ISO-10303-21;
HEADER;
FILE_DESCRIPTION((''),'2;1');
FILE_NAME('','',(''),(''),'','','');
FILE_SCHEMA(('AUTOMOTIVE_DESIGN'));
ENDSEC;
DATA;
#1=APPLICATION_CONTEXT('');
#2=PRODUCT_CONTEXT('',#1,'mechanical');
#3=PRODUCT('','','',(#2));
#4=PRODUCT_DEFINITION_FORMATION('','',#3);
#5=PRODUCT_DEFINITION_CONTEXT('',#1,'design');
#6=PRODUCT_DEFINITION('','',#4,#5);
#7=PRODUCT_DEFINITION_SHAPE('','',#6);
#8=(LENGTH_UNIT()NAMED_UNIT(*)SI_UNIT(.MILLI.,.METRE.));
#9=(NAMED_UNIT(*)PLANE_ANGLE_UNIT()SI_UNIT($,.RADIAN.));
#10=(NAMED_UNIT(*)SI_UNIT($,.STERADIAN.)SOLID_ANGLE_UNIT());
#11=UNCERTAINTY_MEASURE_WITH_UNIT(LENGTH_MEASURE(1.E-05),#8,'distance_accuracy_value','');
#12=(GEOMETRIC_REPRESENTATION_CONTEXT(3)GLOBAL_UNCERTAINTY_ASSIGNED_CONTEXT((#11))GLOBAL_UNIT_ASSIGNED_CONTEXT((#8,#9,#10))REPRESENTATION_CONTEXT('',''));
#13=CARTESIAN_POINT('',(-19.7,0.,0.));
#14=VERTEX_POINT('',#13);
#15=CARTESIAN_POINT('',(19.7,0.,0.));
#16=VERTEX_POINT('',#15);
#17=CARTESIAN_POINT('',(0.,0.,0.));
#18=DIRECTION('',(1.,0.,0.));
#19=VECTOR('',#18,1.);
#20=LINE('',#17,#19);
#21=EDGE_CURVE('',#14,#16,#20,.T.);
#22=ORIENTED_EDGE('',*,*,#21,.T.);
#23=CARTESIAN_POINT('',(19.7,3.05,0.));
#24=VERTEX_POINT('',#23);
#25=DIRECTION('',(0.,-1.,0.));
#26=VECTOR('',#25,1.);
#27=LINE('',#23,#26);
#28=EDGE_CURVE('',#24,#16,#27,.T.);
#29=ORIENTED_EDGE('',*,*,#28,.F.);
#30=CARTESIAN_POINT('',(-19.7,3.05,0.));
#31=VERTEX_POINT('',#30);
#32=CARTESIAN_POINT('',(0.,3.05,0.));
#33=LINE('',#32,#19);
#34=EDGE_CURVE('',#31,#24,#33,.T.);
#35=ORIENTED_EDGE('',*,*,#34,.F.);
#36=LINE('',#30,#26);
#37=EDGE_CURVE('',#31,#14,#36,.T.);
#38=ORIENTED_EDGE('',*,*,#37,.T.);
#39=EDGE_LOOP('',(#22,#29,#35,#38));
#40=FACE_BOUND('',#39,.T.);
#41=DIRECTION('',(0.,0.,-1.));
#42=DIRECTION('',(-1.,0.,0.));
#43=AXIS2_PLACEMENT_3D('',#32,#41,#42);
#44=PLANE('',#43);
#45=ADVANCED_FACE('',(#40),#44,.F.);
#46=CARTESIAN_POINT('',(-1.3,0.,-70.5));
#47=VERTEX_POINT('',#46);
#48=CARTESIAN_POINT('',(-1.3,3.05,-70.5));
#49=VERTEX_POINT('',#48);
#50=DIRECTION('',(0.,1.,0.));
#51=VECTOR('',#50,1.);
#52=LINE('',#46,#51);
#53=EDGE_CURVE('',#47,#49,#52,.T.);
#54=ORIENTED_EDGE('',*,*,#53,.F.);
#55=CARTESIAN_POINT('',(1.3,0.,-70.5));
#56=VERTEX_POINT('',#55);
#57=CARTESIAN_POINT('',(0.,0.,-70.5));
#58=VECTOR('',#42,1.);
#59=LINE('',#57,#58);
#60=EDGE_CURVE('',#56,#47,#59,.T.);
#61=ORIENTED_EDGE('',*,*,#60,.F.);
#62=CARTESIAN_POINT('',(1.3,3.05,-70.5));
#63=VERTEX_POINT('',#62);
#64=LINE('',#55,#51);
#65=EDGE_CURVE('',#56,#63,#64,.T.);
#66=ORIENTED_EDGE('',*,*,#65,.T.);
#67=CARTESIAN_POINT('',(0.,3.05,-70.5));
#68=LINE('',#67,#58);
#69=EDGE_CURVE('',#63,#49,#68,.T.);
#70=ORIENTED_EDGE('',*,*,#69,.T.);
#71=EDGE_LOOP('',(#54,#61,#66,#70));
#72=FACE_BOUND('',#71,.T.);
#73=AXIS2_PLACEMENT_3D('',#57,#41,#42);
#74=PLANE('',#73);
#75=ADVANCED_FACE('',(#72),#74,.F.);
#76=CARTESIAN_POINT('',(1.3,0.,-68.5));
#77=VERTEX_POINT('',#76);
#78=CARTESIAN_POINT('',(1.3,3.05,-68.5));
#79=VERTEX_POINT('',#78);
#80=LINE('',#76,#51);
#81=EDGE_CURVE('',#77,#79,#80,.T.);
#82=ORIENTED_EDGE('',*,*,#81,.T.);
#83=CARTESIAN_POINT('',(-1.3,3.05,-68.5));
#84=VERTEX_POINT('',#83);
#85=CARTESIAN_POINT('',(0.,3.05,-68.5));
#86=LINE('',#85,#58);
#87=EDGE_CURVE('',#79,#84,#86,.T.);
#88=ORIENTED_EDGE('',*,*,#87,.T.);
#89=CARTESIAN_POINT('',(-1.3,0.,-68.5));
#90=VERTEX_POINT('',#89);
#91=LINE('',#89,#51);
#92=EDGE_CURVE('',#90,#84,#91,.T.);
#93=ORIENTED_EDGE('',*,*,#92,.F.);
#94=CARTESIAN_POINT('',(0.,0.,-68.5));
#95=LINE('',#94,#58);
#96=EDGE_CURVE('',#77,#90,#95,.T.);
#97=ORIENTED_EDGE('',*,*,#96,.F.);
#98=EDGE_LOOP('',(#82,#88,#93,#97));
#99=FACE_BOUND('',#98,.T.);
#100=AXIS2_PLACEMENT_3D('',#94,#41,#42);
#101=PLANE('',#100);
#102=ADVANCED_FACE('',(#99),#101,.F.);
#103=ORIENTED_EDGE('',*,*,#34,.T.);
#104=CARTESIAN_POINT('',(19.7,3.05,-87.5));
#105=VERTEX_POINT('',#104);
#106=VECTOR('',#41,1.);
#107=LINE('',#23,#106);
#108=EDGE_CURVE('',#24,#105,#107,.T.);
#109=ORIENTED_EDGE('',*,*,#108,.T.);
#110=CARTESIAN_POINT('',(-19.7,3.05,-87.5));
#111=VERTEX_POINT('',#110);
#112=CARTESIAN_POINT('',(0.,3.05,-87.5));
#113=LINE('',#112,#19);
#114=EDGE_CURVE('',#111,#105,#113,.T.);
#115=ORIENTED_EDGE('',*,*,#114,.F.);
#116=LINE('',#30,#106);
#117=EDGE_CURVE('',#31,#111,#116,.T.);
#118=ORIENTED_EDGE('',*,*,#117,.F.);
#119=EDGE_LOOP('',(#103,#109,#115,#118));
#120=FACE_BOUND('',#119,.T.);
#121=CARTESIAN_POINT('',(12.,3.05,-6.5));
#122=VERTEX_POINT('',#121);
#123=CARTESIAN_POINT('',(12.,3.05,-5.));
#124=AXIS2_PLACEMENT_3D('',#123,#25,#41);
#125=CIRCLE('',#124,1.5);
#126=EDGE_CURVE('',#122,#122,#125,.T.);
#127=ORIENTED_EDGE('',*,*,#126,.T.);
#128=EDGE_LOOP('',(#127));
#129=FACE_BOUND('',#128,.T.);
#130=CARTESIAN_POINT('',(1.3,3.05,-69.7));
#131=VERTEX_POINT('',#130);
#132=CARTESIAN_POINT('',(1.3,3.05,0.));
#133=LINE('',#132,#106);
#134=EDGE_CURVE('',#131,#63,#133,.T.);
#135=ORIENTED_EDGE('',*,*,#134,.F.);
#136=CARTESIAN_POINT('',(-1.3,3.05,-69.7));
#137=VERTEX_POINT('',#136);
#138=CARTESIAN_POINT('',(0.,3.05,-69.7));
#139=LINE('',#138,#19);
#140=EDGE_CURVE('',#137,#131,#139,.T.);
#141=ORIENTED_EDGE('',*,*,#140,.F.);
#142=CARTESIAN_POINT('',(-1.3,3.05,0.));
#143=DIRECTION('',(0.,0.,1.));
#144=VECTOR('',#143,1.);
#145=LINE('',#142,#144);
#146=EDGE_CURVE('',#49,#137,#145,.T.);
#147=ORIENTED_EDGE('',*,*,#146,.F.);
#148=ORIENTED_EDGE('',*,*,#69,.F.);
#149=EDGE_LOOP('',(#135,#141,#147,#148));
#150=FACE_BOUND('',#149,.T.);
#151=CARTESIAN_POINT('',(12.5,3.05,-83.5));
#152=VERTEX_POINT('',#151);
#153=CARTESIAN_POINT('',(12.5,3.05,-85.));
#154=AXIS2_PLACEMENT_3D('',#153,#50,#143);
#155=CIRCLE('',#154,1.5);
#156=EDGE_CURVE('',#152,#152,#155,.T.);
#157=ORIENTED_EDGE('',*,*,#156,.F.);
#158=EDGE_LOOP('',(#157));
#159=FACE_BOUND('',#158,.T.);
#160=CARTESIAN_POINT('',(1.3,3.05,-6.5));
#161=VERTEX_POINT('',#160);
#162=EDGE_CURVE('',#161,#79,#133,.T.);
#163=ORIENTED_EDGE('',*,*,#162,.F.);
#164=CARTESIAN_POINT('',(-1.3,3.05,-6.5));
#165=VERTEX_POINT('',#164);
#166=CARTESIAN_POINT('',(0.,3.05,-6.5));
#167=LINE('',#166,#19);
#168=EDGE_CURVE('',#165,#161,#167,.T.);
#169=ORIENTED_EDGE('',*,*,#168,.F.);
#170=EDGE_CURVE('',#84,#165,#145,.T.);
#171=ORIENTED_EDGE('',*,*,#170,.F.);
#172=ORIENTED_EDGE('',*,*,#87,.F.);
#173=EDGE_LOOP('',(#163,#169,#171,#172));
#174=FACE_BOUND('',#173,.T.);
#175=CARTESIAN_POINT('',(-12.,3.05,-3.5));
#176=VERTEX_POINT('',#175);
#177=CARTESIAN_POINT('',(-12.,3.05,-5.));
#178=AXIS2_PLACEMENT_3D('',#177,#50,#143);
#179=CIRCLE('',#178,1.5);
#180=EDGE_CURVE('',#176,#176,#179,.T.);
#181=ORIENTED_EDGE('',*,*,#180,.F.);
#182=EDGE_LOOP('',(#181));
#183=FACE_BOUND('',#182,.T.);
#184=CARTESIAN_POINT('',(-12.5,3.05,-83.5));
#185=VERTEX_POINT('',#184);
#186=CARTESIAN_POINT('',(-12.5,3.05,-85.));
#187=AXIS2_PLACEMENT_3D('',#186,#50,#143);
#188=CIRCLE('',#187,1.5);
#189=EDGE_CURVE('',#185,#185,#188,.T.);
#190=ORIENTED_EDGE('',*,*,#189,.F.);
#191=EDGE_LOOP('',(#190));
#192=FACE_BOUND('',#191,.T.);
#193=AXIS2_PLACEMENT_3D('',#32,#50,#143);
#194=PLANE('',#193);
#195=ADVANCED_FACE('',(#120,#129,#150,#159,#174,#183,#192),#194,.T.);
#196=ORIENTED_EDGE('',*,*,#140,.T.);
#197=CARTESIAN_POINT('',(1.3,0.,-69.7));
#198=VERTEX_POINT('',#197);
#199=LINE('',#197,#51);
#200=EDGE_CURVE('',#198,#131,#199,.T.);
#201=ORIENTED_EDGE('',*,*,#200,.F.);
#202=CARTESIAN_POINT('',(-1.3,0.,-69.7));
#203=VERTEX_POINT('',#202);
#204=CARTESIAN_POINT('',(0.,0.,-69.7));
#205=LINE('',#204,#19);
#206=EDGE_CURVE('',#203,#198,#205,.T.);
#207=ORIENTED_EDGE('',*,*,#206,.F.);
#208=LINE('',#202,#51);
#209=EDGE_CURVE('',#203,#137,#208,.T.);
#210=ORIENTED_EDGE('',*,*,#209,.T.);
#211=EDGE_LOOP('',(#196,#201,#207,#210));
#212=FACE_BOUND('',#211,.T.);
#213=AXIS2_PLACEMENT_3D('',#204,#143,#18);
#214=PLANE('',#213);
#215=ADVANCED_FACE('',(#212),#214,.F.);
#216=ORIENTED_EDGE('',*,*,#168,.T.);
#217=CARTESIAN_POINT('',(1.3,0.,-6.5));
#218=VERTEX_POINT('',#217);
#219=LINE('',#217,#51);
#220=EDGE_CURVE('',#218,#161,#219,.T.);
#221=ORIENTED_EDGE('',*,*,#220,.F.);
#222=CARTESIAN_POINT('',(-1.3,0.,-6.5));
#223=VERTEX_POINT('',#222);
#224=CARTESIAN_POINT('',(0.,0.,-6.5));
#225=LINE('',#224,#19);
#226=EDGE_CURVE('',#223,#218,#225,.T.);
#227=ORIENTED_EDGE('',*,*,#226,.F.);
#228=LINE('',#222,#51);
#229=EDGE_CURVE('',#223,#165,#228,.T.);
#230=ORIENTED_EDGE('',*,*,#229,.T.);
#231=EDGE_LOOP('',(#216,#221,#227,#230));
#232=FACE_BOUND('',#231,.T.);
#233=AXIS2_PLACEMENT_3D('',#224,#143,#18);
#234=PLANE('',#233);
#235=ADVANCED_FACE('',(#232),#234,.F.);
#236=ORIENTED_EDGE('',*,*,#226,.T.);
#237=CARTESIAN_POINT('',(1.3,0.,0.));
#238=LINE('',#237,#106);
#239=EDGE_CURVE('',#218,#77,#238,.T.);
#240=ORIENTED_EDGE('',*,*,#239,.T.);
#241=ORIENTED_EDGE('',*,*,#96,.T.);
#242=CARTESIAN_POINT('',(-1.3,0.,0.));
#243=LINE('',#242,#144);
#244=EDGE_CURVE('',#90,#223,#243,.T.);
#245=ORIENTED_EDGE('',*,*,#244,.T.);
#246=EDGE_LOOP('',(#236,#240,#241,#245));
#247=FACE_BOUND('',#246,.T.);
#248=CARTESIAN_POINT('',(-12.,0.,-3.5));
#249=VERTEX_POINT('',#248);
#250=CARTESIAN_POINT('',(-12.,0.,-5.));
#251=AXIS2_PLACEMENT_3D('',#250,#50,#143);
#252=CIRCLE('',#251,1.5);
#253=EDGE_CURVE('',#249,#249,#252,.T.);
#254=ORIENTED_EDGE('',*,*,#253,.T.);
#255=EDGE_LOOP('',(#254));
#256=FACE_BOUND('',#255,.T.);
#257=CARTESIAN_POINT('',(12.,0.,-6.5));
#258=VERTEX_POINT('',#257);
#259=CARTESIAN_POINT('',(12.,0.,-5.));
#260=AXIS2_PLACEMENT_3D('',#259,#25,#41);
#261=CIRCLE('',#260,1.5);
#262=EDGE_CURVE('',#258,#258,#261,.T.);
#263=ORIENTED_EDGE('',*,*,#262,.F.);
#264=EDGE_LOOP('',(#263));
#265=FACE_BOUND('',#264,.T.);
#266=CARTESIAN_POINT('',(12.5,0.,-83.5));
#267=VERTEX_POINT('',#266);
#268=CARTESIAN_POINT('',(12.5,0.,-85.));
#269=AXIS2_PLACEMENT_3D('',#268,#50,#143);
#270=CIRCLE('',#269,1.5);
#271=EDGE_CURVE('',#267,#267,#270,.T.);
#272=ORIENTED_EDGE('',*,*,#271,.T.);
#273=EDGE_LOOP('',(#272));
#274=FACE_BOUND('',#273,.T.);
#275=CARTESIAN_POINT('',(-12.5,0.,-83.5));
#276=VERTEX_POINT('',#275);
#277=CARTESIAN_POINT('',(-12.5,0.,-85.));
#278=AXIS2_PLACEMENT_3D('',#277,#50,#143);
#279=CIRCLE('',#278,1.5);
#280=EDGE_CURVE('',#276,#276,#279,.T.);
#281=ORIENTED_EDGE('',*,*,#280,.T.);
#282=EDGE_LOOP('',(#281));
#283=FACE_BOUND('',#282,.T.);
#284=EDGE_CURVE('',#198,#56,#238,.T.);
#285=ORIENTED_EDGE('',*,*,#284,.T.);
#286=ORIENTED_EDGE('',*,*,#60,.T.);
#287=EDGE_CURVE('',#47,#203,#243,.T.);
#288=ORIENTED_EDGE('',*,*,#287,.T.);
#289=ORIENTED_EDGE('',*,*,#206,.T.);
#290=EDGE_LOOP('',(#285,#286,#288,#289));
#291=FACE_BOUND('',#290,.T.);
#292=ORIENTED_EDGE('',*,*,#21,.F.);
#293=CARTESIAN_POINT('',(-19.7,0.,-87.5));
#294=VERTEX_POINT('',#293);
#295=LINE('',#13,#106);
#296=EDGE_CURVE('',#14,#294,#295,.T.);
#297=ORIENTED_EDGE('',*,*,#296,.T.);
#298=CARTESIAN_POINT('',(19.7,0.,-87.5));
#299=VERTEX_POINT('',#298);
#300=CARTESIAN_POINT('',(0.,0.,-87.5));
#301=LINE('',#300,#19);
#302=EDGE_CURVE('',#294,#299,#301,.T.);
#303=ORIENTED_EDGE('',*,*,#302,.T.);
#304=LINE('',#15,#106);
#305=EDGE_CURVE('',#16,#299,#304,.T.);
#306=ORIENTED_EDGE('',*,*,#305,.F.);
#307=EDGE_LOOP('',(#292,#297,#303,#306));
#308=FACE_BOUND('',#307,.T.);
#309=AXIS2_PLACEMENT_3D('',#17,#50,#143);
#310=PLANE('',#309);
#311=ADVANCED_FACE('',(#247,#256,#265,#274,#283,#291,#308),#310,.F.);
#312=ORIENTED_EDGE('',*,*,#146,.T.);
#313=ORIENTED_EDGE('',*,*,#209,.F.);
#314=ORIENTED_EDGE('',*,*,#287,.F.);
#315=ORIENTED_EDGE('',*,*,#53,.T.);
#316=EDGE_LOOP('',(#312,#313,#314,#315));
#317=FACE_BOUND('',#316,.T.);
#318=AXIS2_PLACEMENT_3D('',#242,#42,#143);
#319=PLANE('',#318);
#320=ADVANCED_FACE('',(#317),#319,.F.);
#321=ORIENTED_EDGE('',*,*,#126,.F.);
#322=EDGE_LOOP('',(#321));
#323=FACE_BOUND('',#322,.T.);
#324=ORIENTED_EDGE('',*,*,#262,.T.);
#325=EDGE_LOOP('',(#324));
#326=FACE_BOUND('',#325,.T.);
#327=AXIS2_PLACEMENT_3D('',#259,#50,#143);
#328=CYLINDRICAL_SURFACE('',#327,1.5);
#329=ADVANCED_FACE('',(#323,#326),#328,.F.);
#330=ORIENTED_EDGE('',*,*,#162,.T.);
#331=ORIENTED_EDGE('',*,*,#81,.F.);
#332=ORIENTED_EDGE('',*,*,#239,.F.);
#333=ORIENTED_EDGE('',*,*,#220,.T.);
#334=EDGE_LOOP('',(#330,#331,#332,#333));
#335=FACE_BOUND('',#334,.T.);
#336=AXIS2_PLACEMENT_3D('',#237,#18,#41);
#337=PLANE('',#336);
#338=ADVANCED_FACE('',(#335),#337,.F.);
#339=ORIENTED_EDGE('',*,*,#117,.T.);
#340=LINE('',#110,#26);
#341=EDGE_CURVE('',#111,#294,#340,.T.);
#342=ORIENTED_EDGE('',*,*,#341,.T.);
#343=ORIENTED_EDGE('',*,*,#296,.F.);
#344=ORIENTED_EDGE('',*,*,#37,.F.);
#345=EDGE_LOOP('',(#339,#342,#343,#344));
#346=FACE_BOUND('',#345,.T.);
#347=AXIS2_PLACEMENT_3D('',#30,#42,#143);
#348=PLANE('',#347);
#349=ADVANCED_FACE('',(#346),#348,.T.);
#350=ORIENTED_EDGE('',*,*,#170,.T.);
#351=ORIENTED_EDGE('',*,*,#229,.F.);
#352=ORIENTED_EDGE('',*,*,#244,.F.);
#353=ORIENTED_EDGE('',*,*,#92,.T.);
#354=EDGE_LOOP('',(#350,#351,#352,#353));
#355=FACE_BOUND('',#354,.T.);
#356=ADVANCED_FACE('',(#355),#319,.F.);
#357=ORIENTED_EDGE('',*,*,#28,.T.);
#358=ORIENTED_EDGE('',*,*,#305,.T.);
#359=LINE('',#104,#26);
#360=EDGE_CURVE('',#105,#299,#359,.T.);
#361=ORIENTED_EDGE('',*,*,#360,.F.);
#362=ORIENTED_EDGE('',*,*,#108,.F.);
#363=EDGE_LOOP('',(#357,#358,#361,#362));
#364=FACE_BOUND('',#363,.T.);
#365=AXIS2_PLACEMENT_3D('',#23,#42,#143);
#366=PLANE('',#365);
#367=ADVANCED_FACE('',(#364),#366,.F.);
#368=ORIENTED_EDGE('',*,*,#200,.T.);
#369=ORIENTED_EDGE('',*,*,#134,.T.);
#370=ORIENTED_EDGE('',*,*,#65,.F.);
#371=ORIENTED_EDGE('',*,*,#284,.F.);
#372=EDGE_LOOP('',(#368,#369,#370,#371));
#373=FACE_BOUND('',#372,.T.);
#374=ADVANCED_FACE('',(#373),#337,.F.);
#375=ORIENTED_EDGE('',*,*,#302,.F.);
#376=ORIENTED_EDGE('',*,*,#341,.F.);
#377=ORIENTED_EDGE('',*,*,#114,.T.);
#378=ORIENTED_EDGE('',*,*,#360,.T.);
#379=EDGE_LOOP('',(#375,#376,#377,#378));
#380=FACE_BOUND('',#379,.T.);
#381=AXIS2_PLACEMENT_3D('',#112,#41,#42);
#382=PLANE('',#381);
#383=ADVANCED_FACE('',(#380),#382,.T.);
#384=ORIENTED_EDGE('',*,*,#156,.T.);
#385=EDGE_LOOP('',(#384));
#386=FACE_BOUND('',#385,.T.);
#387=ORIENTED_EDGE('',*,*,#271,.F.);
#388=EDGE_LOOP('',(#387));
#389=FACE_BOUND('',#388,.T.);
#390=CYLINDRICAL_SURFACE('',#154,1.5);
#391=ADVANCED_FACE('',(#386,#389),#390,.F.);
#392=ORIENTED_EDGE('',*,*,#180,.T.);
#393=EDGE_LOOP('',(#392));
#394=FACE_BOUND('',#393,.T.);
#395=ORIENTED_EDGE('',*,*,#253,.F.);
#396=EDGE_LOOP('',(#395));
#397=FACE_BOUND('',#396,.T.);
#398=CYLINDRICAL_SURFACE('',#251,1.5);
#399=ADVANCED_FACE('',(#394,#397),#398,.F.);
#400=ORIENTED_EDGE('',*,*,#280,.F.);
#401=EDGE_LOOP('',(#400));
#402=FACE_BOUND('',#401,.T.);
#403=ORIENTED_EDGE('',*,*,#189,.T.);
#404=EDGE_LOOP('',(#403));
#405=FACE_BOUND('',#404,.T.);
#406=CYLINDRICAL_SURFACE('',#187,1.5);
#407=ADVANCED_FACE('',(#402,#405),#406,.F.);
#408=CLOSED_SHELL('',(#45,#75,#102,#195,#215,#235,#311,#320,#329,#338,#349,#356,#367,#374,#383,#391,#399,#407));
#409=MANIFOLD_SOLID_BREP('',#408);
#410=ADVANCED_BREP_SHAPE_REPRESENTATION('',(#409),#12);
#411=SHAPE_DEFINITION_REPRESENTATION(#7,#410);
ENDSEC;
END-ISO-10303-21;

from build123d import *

# Parameters (mm, degrees)
SKETCH1_W             = 39.4
SKETCH1_H             = 87.5
BOSS_EXTRUDE1_DEPTH   = 3.05
SKETCH4_W             = 1.3
SKETCH4_H             = 0.8
SKETCH4_H_2           = 62
CUT_EXTRUDE1_DEPTH    = 90.742088788
SKETCH7_R             = 1.5
CUT_EXTRUDE4_DEPTH    = 90.742088788
F_3_0MM_DOWEL_HOLE1_D = 3


with BuildPart() as part:
    # Sketch1 → Boss-Extrude1 (new body)
    with BuildSketch(Plane(origin=(0, 0, 0), x_dir=(1, 0, 0), z_dir=(0, 1, 0))):
        with Locations((0, 43.75)):
            Rectangle(SKETCH1_W, SKETCH1_H)
    extrude(amount=BOSS_EXTRUDE1_DEPTH)

    # Sketch4 → Cut-Extrude1 (cut, through all)
    with BuildSketch(Plane(origin=(0, 3.05, 0), x_dir=(1, 0, 0), z_dir=(0, 1, 0))):
        with Locations((-0.65, 70.1)):
            Rectangle(SKETCH4_W, SKETCH4_H)
        with Locations((-0.65, 37.5)):
            Rectangle(SKETCH4_W, SKETCH4_H_2)
        with Locations((0.65, 37.5)):
            Rectangle(SKETCH4_W, SKETCH4_H_2)
        with Locations((0.65, 70.1)):
            Rectangle(SKETCH4_W, SKETCH4_H)
    extrude(amount=-CUT_EXTRUDE1_DEPTH, mode=Mode.SUBTRACT)

    # Sketch7 → Cut-Extrude4 (cut, through all)
    with BuildSketch(Plane(origin=(0, 3.05, 0), x_dir=(1, 0, 0), z_dir=(0, 1, 0))):
        with Locations(Location((-12, 5, 0), (0, 0, 270))):
            Circle(SKETCH7_R)
        with Locations(Location((12, 5, 0), (0, 0, 90))):
            Circle(SKETCH7_R)
    extrude(amount=-CUT_EXTRUDE4_DEPTH, mode=Mode.SUBTRACT)

    # Ø3.0mm Dowel Hole1 (through all)
    with Locations(Plane(origin=(0, 3.05, 0), x_dir=(1, 0, 0), z_dir=(0, 1, 0))):
        with Locations((-12.5, 85), (12.5, 85)):
            Hole(F_3_0MM_DOWEL_HOLE1_D / 2)


solid = part.part
